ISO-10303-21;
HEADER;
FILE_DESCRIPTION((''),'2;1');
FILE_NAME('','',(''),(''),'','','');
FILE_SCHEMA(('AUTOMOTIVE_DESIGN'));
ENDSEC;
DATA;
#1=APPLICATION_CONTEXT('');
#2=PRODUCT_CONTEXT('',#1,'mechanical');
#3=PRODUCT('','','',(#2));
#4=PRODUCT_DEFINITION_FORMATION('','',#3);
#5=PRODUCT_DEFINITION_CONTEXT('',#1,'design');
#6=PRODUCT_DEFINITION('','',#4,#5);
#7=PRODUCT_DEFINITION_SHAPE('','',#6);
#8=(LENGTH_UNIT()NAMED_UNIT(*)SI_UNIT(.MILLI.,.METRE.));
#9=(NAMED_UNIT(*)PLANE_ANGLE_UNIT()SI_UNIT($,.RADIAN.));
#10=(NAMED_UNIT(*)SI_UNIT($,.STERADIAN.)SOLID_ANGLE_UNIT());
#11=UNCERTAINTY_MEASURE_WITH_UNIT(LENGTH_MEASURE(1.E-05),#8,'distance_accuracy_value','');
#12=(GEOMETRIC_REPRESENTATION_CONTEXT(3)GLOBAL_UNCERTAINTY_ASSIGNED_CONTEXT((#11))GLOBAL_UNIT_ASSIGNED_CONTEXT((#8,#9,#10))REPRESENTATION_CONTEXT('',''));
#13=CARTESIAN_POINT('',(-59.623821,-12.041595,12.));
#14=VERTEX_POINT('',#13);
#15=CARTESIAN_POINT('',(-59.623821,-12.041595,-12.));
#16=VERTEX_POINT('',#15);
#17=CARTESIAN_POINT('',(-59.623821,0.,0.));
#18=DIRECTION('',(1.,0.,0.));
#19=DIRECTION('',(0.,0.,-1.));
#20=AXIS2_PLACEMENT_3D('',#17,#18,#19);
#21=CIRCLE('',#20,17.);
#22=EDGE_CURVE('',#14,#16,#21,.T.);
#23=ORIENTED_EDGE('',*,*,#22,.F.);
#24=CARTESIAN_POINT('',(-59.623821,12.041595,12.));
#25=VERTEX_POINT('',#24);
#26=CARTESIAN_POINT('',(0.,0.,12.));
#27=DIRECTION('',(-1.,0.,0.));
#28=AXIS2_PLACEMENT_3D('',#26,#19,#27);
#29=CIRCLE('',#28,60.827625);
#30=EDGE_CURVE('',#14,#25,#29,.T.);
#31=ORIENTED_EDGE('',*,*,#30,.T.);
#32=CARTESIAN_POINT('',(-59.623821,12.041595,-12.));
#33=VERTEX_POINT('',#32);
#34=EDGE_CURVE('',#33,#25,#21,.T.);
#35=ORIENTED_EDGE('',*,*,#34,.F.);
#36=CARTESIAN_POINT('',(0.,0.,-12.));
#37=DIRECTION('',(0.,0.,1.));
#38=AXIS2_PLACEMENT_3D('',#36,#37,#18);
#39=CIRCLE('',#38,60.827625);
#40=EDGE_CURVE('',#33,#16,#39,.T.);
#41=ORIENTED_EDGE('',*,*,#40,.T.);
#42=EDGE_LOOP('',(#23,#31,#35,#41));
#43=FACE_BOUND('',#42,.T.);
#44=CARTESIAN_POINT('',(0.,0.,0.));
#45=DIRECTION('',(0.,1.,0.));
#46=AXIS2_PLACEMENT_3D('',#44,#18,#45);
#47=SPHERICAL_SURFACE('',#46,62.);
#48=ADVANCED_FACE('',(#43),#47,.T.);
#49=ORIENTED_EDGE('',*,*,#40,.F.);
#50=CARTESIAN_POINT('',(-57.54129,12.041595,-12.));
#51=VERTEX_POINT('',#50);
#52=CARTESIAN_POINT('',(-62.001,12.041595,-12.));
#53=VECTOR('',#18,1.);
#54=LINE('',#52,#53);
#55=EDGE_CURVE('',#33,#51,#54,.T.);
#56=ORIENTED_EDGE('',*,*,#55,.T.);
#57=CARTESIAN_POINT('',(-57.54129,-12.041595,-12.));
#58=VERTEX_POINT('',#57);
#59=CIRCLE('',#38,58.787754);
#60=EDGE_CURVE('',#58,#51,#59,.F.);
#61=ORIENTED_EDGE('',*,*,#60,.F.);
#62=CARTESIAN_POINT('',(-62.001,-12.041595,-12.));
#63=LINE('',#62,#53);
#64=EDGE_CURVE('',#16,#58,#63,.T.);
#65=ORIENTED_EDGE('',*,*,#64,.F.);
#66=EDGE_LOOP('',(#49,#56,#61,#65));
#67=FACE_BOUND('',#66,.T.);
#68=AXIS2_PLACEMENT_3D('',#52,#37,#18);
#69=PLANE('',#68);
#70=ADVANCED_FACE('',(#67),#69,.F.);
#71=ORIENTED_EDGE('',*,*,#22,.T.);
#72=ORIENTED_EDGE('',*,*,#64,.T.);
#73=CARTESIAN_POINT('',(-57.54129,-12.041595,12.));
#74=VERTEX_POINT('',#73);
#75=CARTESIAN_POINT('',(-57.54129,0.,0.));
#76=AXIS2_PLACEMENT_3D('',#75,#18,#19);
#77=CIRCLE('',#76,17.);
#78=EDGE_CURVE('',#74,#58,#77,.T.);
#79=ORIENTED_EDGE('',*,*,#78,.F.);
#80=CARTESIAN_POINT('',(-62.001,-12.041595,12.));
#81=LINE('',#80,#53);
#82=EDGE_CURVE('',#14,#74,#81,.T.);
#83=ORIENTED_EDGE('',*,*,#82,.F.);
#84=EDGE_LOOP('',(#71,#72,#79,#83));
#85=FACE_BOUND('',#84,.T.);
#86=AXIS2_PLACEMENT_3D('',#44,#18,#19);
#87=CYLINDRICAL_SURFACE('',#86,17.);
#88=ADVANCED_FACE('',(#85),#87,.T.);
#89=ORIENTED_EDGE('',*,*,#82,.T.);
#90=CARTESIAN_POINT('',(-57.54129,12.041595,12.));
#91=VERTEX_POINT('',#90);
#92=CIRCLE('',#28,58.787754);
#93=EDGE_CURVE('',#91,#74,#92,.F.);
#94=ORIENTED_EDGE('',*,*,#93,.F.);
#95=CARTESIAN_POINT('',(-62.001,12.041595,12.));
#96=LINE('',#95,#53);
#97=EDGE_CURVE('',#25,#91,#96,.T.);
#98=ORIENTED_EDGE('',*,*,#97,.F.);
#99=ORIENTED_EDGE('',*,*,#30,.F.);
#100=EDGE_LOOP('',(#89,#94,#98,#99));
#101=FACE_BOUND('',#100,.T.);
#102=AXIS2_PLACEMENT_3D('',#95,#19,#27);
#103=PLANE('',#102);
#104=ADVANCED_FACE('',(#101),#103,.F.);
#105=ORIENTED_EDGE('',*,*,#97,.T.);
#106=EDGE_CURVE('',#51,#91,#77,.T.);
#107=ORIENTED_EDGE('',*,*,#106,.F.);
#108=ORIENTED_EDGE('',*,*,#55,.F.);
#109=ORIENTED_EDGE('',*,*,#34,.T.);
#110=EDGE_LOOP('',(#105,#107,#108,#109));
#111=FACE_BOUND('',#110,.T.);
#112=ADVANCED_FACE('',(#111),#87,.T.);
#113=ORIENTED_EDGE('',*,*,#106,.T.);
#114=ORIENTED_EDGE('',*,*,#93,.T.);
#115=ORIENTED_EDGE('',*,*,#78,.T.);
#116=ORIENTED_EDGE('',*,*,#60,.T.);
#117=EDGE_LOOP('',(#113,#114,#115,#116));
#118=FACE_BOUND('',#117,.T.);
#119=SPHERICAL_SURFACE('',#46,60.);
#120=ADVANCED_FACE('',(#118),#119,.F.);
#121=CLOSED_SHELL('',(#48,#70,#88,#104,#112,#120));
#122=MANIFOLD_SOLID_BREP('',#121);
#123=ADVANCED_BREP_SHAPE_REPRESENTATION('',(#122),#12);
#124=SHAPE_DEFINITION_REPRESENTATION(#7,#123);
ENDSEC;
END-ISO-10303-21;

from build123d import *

# Parameters (mm, degrees)
CUT_EXTRUDE_1_REACH      = 68.498
CUT_EXTRUDE_1_END_RADIUS = 62


with BuildPart() as part:
    # 草图2 → 旋转1 (revolve)
    with BuildSketch(Plane.XY):
        with BuildLine():
            Line((-59.623820743, 17), (-57.541289523, 17))
            ThreePointArc((-57.541289523, 17), (-59.382141134, 8.588440738), (-60, 0))
            Line((-60, 0), (-62, 0))
            ThreePointArc((-62, 0), (-61.403081706, 8.582631121), (-59.623820743, 17))
        make_face()
    revolve(axis=Axis((0, 0, 0), (-1, 0, 0)))

    # 切除-拉伸1: up to this sphere (the profile starts inside it)
    cut_extrude_1_end = Location((0, 0, 0)) * Sphere(CUT_EXTRUDE_1_END_RADIUS, mode=Mode.PRIVATE)
    # 草图3 → 切除-拉伸1 (cut, up to the surface)
    with BuildSketch(Plane(origin=(0, 0, 0), x_dir=(0, 0, -1), z_dir=(1, 0, 0)), mode=Mode.PRIVATE) as cut_extrude_1_sk1:
        with BuildLine():
            Line((-12, 12.041594579), (-12, -12.041594579))
            ThreePointArc((-12, -12.041594579), (-17, 0), (-12, 12.041594579))
        make_face()
    cut_extrude_1_tool1 = extrude(cut_extrude_1_sk1.sketch, amount=-CUT_EXTRUDE_1_REACH, mode=Mode.PRIVATE) & cut_extrude_1_end
    add(cut_extrude_1_tool1.solids().sort_by_distance((0, 0, 14.027569))[0], mode=Mode.SUBTRACT)
    # 草图3 → 切除-拉伸1 (cut, up to the surface)
    with BuildSketch(Plane(origin=(0, 0, 0), x_dir=(0, 0, -1), z_dir=(1, 0, 0)), mode=Mode.PRIVATE) as cut_extrude_1_sk2:
        with BuildLine():
            Line((12, 12.041594579), (12, -12.041594579))
            ThreePointArc((12, -12.041594579), (17, 0), (12, 12.041594579))
        make_face()
    cut_extrude_1_tool2 = extrude(cut_extrude_1_sk2.sketch, amount=-CUT_EXTRUDE_1_REACH, mode=Mode.PRIVATE) & cut_extrude_1_end
    add(cut_extrude_1_tool2.solids().sort_by_distance((0, 0, -14.027569))[0], mode=Mode.SUBTRACT)


solid = part.part
